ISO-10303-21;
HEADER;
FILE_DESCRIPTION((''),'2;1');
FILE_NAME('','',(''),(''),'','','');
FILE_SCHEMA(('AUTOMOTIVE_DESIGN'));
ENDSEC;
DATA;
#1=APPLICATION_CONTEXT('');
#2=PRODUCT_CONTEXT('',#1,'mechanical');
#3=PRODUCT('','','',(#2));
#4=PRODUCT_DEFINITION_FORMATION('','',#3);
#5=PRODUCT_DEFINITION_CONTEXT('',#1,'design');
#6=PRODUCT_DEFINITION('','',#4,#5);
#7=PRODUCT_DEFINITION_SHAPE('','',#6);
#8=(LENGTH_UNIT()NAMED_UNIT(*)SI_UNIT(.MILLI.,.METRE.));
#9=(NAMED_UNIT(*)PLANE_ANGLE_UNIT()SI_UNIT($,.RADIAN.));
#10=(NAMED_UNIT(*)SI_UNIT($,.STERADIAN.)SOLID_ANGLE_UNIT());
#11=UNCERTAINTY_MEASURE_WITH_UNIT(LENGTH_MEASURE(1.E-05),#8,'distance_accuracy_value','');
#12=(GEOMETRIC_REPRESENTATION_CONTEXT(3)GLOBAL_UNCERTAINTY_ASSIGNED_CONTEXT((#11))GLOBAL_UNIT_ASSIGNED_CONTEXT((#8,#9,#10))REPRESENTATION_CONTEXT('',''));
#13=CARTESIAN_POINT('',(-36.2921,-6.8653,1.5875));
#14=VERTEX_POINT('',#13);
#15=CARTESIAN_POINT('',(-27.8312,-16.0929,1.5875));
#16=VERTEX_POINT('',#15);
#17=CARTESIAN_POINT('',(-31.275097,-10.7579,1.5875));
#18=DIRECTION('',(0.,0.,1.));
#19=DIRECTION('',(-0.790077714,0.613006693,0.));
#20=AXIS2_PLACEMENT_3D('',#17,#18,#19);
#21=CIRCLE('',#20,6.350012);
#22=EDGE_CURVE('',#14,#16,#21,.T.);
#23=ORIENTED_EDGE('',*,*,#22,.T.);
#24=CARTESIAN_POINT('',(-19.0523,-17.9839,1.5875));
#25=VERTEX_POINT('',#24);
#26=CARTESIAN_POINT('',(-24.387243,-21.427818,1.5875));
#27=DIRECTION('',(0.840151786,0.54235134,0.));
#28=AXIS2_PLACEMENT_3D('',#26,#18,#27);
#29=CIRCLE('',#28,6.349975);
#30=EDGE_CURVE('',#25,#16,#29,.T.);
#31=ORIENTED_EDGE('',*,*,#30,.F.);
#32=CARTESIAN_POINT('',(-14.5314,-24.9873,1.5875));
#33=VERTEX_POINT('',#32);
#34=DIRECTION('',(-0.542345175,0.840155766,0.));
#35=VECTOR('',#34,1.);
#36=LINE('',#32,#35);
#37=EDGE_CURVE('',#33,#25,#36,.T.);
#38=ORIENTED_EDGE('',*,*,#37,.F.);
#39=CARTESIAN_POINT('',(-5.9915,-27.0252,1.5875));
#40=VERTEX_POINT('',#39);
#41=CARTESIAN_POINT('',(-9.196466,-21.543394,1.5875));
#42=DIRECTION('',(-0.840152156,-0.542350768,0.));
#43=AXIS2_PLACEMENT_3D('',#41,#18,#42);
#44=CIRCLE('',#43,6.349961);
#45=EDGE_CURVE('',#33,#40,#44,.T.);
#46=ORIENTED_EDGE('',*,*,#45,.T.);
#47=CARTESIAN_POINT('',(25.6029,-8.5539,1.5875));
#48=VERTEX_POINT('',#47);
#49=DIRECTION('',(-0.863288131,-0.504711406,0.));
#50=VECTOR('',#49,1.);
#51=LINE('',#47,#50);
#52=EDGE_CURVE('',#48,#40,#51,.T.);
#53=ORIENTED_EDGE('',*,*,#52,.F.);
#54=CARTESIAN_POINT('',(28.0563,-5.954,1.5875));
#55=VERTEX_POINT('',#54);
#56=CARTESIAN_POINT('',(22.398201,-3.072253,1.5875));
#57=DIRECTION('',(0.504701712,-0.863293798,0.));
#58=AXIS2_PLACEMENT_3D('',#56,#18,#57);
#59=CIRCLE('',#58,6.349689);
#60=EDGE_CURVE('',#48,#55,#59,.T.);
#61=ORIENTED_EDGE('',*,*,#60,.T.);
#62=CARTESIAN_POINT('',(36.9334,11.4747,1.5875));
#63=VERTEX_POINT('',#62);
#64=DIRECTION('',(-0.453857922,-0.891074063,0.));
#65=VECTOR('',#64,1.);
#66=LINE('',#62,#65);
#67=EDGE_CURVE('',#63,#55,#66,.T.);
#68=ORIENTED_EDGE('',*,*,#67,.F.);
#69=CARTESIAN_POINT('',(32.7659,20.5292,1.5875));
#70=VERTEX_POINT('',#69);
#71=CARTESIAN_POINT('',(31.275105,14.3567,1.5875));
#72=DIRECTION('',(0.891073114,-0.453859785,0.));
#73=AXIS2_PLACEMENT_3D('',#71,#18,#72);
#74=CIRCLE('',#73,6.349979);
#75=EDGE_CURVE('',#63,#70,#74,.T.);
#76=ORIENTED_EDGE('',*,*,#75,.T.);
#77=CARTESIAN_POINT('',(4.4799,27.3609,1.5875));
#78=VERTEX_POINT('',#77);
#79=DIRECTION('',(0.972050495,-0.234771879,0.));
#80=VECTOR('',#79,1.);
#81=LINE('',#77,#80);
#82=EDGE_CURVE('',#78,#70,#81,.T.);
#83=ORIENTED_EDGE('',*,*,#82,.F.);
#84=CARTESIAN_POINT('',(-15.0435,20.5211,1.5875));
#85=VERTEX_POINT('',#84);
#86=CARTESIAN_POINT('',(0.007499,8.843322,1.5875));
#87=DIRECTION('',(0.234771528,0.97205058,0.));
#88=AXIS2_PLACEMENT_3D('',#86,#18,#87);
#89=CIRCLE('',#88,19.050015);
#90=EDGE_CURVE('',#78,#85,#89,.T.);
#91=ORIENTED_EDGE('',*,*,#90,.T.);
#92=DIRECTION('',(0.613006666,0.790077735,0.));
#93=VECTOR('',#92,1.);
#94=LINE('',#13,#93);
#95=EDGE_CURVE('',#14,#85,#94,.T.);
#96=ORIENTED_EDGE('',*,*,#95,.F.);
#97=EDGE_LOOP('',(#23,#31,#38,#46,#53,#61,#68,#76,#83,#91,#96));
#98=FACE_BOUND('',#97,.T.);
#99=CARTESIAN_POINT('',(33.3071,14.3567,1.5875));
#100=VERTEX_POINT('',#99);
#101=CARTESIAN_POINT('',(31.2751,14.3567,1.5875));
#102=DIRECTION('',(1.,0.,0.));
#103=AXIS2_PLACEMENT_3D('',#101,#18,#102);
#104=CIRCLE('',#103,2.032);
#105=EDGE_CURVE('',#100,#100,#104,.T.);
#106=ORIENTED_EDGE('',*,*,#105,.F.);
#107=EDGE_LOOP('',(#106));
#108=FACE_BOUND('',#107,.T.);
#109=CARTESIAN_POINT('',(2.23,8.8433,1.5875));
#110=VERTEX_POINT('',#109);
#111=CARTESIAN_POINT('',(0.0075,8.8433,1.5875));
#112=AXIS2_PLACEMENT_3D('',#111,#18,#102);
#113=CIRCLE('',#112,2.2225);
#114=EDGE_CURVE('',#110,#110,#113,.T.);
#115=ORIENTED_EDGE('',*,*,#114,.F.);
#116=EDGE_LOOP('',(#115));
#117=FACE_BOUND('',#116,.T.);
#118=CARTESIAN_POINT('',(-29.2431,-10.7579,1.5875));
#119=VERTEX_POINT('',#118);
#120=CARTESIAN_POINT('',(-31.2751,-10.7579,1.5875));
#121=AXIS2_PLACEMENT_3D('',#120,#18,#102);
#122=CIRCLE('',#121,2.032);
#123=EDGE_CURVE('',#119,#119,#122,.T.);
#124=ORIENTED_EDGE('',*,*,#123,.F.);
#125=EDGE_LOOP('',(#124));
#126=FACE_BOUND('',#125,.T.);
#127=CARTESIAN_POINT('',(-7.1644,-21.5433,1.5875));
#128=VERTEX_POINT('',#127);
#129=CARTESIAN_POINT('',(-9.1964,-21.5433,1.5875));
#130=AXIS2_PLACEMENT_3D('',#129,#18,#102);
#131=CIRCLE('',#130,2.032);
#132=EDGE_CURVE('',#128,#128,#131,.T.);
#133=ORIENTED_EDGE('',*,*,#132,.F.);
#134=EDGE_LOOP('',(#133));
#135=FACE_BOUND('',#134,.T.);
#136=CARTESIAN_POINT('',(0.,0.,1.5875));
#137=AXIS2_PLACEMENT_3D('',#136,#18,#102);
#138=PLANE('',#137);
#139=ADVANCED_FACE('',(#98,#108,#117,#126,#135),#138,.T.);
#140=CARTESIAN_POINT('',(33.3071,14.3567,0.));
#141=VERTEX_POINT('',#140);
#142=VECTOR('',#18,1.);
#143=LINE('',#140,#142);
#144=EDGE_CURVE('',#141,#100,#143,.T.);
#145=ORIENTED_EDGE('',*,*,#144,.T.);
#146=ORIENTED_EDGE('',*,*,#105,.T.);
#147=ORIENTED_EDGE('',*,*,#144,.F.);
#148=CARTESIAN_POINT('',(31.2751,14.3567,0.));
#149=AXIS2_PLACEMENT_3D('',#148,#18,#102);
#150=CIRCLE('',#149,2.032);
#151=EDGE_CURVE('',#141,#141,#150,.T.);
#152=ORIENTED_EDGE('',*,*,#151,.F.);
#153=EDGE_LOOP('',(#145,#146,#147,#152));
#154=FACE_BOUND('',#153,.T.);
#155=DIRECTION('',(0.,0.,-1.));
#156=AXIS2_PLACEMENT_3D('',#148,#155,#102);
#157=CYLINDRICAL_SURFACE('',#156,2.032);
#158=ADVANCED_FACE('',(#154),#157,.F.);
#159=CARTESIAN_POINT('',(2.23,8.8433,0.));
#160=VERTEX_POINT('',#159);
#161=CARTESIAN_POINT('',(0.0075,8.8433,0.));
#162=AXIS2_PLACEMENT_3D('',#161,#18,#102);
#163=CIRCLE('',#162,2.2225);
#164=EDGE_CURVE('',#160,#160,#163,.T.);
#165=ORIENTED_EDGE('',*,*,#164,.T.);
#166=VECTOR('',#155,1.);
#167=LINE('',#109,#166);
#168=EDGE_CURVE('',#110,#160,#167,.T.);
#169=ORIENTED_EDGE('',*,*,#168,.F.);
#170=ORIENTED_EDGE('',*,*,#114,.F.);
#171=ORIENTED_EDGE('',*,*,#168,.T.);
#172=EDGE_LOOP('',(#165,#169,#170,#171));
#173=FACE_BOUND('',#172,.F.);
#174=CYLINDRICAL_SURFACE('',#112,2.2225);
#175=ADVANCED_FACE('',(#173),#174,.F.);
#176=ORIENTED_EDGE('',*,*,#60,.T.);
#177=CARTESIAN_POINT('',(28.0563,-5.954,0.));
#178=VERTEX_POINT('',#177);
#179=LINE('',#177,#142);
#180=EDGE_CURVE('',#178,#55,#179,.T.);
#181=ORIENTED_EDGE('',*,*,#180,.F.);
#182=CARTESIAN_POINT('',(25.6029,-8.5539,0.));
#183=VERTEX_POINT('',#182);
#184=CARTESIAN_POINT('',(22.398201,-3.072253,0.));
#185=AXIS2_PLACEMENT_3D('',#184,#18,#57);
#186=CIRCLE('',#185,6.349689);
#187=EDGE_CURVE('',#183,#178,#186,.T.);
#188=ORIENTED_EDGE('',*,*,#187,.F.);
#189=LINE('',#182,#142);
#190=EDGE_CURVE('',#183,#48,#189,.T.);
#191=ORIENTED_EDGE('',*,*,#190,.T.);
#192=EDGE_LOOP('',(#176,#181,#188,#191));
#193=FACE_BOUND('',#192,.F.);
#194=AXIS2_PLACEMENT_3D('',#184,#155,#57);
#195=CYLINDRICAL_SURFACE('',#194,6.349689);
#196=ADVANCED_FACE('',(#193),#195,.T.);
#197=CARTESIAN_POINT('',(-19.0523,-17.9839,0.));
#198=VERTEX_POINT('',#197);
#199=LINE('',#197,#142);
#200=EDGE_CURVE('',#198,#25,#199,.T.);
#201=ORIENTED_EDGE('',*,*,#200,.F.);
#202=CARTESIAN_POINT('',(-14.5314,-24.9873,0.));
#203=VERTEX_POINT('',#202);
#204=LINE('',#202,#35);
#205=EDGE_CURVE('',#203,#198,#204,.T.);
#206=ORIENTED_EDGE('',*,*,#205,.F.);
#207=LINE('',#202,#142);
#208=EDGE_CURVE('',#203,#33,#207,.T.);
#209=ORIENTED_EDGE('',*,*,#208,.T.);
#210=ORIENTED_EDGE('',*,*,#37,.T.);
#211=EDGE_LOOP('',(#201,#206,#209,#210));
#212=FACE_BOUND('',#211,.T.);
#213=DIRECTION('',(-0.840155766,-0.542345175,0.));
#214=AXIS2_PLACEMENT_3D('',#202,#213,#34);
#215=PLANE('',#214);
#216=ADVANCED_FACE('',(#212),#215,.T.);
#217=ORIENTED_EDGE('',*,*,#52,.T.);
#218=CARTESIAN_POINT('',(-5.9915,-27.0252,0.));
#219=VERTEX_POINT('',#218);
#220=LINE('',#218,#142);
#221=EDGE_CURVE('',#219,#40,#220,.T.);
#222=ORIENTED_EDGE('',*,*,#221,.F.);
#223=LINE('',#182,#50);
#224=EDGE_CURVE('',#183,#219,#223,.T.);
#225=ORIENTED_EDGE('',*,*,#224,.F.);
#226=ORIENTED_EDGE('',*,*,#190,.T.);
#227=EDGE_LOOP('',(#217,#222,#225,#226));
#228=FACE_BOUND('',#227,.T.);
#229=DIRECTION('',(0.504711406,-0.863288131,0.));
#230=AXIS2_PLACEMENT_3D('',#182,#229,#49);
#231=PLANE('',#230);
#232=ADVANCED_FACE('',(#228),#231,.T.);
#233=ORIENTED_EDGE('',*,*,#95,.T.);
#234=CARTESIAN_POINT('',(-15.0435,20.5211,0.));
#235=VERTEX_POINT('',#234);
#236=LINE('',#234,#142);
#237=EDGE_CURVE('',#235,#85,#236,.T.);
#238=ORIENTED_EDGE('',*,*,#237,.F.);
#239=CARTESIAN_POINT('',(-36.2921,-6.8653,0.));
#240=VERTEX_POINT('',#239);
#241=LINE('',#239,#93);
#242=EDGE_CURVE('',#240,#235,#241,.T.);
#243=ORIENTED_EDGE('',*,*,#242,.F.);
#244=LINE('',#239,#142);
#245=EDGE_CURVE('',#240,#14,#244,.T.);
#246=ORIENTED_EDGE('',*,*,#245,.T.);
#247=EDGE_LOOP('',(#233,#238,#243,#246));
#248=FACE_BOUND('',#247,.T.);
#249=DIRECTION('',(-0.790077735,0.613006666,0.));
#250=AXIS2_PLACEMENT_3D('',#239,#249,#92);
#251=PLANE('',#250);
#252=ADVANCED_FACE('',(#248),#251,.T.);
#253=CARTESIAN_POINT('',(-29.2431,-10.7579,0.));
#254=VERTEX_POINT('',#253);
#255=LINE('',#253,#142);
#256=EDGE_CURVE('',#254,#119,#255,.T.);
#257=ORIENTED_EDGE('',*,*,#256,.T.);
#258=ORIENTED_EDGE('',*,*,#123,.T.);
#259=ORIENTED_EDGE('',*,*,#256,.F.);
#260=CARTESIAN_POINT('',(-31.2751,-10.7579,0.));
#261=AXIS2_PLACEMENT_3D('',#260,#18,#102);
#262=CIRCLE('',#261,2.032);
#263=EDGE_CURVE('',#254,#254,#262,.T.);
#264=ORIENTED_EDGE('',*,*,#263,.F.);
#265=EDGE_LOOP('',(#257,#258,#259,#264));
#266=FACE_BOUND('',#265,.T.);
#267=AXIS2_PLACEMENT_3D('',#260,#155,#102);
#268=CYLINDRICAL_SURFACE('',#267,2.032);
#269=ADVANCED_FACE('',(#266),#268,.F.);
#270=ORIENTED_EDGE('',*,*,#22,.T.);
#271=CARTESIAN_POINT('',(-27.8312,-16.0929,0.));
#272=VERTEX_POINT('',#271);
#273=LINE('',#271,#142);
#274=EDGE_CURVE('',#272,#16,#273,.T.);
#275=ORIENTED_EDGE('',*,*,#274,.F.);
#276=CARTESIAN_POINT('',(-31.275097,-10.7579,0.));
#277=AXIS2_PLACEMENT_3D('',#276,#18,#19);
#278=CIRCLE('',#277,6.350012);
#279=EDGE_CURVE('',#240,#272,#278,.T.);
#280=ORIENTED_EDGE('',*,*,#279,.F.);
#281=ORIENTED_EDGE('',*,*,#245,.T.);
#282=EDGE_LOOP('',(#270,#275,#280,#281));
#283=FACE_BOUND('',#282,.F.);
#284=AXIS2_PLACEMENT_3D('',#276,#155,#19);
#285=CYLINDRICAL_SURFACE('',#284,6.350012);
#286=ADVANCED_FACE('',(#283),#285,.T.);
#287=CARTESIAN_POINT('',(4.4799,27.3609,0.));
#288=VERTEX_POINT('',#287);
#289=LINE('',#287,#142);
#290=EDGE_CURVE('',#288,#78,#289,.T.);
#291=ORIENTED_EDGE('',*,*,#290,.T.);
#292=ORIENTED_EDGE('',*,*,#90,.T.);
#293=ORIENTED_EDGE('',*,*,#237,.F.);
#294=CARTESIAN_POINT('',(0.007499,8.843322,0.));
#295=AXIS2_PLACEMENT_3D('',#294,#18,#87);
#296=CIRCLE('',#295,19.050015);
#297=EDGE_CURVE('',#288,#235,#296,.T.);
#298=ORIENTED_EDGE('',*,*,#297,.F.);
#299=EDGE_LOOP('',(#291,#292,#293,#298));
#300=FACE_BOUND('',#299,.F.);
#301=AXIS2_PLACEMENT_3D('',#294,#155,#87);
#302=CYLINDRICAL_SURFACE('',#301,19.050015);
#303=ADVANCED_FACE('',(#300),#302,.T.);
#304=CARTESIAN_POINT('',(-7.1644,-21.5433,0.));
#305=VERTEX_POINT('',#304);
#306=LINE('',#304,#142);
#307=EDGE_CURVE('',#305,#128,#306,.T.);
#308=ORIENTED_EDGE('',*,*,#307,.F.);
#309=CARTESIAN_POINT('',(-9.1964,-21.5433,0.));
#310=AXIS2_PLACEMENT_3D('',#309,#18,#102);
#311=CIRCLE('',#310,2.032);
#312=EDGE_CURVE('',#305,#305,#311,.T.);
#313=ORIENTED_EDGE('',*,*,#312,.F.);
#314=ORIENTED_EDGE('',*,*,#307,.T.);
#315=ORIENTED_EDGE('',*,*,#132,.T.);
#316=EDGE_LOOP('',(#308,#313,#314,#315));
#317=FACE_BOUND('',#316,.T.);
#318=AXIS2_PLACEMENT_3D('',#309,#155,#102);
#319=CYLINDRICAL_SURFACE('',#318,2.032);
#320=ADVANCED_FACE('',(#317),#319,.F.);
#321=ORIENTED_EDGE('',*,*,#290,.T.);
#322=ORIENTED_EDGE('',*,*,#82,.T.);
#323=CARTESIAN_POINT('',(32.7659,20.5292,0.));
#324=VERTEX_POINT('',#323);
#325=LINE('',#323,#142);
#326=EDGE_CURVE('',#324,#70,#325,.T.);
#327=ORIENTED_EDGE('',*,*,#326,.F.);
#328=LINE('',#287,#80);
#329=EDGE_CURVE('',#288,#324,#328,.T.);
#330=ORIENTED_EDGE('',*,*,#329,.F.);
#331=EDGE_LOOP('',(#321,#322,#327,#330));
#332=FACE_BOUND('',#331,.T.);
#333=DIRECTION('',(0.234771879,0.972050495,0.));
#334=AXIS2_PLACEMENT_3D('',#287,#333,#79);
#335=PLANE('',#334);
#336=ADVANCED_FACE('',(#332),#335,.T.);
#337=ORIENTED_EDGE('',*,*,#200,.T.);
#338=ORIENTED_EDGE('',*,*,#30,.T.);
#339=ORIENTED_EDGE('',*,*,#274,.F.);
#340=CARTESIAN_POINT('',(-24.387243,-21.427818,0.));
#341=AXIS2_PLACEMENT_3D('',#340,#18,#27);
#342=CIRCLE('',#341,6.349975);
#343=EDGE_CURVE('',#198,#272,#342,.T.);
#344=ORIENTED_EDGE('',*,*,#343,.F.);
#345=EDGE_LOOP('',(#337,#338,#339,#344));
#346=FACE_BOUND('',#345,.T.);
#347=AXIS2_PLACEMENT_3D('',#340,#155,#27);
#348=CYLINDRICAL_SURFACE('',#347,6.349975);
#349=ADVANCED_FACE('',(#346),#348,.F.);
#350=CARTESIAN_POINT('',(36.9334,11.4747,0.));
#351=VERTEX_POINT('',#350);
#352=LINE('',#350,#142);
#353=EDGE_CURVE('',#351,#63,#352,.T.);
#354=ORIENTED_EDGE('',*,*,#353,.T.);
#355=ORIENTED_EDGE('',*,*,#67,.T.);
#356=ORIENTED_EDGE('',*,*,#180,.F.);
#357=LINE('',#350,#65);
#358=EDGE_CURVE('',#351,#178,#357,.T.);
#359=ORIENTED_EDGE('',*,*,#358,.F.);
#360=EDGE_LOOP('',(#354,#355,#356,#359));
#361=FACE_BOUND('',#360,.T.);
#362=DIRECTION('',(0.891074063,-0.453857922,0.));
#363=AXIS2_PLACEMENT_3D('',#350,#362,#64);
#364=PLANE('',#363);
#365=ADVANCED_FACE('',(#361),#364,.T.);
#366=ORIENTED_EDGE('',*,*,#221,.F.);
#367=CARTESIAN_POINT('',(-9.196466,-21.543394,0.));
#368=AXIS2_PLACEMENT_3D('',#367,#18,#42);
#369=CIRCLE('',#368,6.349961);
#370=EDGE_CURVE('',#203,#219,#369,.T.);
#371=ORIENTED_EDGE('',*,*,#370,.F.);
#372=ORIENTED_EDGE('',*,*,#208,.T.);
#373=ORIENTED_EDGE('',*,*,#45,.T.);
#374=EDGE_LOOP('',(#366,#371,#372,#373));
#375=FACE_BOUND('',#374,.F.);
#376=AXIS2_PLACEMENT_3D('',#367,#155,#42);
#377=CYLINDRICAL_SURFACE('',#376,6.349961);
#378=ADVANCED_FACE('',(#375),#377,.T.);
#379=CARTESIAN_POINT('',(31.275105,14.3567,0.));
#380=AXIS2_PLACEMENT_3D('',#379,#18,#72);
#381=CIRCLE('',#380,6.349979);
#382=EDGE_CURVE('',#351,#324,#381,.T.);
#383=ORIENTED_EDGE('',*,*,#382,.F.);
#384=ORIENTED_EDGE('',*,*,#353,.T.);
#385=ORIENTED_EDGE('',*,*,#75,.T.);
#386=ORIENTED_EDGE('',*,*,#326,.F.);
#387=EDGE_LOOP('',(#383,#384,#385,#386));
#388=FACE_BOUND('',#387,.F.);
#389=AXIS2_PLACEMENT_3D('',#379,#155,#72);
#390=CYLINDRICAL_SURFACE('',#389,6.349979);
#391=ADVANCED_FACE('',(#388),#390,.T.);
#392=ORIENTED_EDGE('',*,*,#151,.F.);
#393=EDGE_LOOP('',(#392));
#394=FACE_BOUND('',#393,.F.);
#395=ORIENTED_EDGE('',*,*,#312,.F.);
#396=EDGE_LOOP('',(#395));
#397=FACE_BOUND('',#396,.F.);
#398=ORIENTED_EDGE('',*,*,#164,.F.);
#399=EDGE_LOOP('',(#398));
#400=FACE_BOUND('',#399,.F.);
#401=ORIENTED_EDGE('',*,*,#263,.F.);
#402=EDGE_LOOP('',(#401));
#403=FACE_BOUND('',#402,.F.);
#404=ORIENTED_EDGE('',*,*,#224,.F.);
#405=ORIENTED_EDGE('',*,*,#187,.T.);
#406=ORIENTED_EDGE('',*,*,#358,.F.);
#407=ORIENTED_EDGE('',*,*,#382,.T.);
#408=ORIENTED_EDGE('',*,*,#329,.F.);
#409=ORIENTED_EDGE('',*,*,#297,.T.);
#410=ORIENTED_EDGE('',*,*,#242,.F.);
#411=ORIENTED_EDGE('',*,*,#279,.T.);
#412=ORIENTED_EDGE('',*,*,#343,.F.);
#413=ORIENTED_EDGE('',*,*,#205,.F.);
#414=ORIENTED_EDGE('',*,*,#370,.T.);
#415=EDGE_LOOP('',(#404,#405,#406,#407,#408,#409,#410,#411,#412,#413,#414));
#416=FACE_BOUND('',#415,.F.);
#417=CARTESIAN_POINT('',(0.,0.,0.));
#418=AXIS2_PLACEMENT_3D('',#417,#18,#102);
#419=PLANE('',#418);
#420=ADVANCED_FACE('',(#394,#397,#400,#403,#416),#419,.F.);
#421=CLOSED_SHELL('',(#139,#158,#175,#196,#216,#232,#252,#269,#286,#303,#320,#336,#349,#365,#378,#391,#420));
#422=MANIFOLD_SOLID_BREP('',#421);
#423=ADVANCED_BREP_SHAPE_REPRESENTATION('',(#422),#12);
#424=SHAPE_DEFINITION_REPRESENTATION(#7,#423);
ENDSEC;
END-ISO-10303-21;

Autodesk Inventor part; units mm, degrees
ref_plane "YZ Plane" through (0, 0, 0) normal (1, 0, 0) x (0, 1, 0)
ref_plane "XZ Plane" through (0, 0, 0) normal (0, 1, 0) x (-1, 0, 0)
ref_plane "Work Plane1" through (0, 0, 0) normal (0, 0, 1) x (1, 0, 0)
sketch "Sketch1" plane through (0, 0, 0) normal (0, 0, 1) x (1, 0, 0)
  circle A0 centre (31.2751, 14.3567) radius 2.032
  circle A1 centre (-31.2751, -10.7579) radius 2.032
  circle A2 centre (-9.1964, -21.5433) radius 2.032
  line L0 (4.4799, 27.3609) -> (32.7659, 20.5292)
  arc A3 (4.4799, 27.3609) -> (-15.0435, 20.5211) centre (0.0075, 8.8433) ccw
  line L1 (-36.2921, -6.8653) -> (-15.0435, 20.5211)
  arc A4 (-36.2921, -6.8653) -> (-27.8312, -16.0929) centre (-31.2751, -10.7579) ccw
  arc A5 (-19.0523, -17.9839) -> (-27.8312, -16.0929) centre (-24.3873, -21.4279) ccw
  line L2 (-14.5314, -24.9873) -> (-19.0523, -17.9839)
  arc A6 (36.9334, 11.4747) -> (32.7659, 20.5292) centre (31.2751, 14.3567) ccw
  arc A7 (-14.5314, -24.9873) -> (-5.9915, -27.0252) centre (-9.1964, -21.5433) ccw
  arc A8 (25.6029, -8.5539) -> (28.0563, -5.954) centre (22.398, -3.072) ccw
  circle A9 centre (22.398, -3.072) radius 2.032 construction
  line L3 (36.9334, 11.4747) -> (28.0563, -5.954)
  line L4 (25.6029, -8.5539) -> (-5.9915, -27.0252)
  line L5 (72.5061, 7.5054) -> (72.5061, 11.8054)
  circle A10 centre (0.0075, 8.8433) radius 2.2225
  point P0 (0, 0)
  dimension "d14" = 4.064
  dimension "d16" = 4.445
extrude "Plate3" add sketch "Sketch1" along normal blind 1.5875 contours L0 A6 L3 A8 L4 A7 L2 A5 A4 L1 A3 | A10
sketch "Sketch2" plane through (0, 0, 1.5875) normal (0, 0, 1) x (1, 0, 0)
  arc A0 (-36.2921, -6.8653) -> (-27.8312, -16.0929) centre (-31.2751, -10.7579) ccw projected
  circle A1 centre (-31.2751, -10.7579) radius 2.032 projected
  line L0 (-36.2921, -6.8653) -> (-15.0435, 20.5211) projected
  arc A2 (4.4799, 27.3609) -> (-15.0435, 20.5211) centre (0.0075, 8.8433) ccw projected
  line L1 (4.4799, 27.3609) -> (32.7659, 20.5292) projected
  arc A3 (36.9334, 11.4747) -> (32.7659, 20.5292) centre (31.2751, 14.3567) ccw projected
  circle A4 centre (31.2751, 14.3567) radius 2.032 projected
  line L2 (36.9334, 11.4747) -> (28.0563, -5.954) projected
  arc A5 (25.6029, -8.5539) -> (28.0563, -5.954) centre (22.398, -3.072) ccw projected
  line L3 (25.6029, -8.5539) -> (-5.9915, -27.0252) projected
  arc A6 (-14.5314, -24.9873) -> (-5.9915, -27.0252) centre (-9.1964, -21.5433) ccw projected
  line L4 (-14.5314, -24.9873) -> (-19.0523, -17.9839) projected
  arc A7 (-19.0523, -17.9839) -> (-27.8312, -16.0929) centre (-24.3873, -21.4279) ccw projected
  circle A8 centre (-9.1964, -21.5433) radius 2.032 projected
  circle A9 centre (0.0075, 8.8433) radius 2.2225
  point P0 (0, 0)
  dimension "d17" = 4.445
extrude "Extrusion1" cut sketch "Sketch2" against normal blind 38.1 contours A9
equation "\"d15\" = Thickness"
equation "\"BendRadius\" = Thickness"
equation "\"BendReliefWidth\" = Thickness"
equation "\"BendReliefDepth\" = 0.5 * Thickness"
equation "\"CornerReliefSize\" = 4 * Thickness"
equation "\"MinimumRemnant\" = 2 * Thickness"
equation "\"TransitionRadius\" = BendRadius"
equation "\"JacobiRadiusSize\" = BendRadius"
equation "\"GapSize\" = Thickness"
equation "\"Thickness\" = 1.5875"
properties part number "Front Horizontal Odom Pod Rot Side" material "Acetal Resin, White"
